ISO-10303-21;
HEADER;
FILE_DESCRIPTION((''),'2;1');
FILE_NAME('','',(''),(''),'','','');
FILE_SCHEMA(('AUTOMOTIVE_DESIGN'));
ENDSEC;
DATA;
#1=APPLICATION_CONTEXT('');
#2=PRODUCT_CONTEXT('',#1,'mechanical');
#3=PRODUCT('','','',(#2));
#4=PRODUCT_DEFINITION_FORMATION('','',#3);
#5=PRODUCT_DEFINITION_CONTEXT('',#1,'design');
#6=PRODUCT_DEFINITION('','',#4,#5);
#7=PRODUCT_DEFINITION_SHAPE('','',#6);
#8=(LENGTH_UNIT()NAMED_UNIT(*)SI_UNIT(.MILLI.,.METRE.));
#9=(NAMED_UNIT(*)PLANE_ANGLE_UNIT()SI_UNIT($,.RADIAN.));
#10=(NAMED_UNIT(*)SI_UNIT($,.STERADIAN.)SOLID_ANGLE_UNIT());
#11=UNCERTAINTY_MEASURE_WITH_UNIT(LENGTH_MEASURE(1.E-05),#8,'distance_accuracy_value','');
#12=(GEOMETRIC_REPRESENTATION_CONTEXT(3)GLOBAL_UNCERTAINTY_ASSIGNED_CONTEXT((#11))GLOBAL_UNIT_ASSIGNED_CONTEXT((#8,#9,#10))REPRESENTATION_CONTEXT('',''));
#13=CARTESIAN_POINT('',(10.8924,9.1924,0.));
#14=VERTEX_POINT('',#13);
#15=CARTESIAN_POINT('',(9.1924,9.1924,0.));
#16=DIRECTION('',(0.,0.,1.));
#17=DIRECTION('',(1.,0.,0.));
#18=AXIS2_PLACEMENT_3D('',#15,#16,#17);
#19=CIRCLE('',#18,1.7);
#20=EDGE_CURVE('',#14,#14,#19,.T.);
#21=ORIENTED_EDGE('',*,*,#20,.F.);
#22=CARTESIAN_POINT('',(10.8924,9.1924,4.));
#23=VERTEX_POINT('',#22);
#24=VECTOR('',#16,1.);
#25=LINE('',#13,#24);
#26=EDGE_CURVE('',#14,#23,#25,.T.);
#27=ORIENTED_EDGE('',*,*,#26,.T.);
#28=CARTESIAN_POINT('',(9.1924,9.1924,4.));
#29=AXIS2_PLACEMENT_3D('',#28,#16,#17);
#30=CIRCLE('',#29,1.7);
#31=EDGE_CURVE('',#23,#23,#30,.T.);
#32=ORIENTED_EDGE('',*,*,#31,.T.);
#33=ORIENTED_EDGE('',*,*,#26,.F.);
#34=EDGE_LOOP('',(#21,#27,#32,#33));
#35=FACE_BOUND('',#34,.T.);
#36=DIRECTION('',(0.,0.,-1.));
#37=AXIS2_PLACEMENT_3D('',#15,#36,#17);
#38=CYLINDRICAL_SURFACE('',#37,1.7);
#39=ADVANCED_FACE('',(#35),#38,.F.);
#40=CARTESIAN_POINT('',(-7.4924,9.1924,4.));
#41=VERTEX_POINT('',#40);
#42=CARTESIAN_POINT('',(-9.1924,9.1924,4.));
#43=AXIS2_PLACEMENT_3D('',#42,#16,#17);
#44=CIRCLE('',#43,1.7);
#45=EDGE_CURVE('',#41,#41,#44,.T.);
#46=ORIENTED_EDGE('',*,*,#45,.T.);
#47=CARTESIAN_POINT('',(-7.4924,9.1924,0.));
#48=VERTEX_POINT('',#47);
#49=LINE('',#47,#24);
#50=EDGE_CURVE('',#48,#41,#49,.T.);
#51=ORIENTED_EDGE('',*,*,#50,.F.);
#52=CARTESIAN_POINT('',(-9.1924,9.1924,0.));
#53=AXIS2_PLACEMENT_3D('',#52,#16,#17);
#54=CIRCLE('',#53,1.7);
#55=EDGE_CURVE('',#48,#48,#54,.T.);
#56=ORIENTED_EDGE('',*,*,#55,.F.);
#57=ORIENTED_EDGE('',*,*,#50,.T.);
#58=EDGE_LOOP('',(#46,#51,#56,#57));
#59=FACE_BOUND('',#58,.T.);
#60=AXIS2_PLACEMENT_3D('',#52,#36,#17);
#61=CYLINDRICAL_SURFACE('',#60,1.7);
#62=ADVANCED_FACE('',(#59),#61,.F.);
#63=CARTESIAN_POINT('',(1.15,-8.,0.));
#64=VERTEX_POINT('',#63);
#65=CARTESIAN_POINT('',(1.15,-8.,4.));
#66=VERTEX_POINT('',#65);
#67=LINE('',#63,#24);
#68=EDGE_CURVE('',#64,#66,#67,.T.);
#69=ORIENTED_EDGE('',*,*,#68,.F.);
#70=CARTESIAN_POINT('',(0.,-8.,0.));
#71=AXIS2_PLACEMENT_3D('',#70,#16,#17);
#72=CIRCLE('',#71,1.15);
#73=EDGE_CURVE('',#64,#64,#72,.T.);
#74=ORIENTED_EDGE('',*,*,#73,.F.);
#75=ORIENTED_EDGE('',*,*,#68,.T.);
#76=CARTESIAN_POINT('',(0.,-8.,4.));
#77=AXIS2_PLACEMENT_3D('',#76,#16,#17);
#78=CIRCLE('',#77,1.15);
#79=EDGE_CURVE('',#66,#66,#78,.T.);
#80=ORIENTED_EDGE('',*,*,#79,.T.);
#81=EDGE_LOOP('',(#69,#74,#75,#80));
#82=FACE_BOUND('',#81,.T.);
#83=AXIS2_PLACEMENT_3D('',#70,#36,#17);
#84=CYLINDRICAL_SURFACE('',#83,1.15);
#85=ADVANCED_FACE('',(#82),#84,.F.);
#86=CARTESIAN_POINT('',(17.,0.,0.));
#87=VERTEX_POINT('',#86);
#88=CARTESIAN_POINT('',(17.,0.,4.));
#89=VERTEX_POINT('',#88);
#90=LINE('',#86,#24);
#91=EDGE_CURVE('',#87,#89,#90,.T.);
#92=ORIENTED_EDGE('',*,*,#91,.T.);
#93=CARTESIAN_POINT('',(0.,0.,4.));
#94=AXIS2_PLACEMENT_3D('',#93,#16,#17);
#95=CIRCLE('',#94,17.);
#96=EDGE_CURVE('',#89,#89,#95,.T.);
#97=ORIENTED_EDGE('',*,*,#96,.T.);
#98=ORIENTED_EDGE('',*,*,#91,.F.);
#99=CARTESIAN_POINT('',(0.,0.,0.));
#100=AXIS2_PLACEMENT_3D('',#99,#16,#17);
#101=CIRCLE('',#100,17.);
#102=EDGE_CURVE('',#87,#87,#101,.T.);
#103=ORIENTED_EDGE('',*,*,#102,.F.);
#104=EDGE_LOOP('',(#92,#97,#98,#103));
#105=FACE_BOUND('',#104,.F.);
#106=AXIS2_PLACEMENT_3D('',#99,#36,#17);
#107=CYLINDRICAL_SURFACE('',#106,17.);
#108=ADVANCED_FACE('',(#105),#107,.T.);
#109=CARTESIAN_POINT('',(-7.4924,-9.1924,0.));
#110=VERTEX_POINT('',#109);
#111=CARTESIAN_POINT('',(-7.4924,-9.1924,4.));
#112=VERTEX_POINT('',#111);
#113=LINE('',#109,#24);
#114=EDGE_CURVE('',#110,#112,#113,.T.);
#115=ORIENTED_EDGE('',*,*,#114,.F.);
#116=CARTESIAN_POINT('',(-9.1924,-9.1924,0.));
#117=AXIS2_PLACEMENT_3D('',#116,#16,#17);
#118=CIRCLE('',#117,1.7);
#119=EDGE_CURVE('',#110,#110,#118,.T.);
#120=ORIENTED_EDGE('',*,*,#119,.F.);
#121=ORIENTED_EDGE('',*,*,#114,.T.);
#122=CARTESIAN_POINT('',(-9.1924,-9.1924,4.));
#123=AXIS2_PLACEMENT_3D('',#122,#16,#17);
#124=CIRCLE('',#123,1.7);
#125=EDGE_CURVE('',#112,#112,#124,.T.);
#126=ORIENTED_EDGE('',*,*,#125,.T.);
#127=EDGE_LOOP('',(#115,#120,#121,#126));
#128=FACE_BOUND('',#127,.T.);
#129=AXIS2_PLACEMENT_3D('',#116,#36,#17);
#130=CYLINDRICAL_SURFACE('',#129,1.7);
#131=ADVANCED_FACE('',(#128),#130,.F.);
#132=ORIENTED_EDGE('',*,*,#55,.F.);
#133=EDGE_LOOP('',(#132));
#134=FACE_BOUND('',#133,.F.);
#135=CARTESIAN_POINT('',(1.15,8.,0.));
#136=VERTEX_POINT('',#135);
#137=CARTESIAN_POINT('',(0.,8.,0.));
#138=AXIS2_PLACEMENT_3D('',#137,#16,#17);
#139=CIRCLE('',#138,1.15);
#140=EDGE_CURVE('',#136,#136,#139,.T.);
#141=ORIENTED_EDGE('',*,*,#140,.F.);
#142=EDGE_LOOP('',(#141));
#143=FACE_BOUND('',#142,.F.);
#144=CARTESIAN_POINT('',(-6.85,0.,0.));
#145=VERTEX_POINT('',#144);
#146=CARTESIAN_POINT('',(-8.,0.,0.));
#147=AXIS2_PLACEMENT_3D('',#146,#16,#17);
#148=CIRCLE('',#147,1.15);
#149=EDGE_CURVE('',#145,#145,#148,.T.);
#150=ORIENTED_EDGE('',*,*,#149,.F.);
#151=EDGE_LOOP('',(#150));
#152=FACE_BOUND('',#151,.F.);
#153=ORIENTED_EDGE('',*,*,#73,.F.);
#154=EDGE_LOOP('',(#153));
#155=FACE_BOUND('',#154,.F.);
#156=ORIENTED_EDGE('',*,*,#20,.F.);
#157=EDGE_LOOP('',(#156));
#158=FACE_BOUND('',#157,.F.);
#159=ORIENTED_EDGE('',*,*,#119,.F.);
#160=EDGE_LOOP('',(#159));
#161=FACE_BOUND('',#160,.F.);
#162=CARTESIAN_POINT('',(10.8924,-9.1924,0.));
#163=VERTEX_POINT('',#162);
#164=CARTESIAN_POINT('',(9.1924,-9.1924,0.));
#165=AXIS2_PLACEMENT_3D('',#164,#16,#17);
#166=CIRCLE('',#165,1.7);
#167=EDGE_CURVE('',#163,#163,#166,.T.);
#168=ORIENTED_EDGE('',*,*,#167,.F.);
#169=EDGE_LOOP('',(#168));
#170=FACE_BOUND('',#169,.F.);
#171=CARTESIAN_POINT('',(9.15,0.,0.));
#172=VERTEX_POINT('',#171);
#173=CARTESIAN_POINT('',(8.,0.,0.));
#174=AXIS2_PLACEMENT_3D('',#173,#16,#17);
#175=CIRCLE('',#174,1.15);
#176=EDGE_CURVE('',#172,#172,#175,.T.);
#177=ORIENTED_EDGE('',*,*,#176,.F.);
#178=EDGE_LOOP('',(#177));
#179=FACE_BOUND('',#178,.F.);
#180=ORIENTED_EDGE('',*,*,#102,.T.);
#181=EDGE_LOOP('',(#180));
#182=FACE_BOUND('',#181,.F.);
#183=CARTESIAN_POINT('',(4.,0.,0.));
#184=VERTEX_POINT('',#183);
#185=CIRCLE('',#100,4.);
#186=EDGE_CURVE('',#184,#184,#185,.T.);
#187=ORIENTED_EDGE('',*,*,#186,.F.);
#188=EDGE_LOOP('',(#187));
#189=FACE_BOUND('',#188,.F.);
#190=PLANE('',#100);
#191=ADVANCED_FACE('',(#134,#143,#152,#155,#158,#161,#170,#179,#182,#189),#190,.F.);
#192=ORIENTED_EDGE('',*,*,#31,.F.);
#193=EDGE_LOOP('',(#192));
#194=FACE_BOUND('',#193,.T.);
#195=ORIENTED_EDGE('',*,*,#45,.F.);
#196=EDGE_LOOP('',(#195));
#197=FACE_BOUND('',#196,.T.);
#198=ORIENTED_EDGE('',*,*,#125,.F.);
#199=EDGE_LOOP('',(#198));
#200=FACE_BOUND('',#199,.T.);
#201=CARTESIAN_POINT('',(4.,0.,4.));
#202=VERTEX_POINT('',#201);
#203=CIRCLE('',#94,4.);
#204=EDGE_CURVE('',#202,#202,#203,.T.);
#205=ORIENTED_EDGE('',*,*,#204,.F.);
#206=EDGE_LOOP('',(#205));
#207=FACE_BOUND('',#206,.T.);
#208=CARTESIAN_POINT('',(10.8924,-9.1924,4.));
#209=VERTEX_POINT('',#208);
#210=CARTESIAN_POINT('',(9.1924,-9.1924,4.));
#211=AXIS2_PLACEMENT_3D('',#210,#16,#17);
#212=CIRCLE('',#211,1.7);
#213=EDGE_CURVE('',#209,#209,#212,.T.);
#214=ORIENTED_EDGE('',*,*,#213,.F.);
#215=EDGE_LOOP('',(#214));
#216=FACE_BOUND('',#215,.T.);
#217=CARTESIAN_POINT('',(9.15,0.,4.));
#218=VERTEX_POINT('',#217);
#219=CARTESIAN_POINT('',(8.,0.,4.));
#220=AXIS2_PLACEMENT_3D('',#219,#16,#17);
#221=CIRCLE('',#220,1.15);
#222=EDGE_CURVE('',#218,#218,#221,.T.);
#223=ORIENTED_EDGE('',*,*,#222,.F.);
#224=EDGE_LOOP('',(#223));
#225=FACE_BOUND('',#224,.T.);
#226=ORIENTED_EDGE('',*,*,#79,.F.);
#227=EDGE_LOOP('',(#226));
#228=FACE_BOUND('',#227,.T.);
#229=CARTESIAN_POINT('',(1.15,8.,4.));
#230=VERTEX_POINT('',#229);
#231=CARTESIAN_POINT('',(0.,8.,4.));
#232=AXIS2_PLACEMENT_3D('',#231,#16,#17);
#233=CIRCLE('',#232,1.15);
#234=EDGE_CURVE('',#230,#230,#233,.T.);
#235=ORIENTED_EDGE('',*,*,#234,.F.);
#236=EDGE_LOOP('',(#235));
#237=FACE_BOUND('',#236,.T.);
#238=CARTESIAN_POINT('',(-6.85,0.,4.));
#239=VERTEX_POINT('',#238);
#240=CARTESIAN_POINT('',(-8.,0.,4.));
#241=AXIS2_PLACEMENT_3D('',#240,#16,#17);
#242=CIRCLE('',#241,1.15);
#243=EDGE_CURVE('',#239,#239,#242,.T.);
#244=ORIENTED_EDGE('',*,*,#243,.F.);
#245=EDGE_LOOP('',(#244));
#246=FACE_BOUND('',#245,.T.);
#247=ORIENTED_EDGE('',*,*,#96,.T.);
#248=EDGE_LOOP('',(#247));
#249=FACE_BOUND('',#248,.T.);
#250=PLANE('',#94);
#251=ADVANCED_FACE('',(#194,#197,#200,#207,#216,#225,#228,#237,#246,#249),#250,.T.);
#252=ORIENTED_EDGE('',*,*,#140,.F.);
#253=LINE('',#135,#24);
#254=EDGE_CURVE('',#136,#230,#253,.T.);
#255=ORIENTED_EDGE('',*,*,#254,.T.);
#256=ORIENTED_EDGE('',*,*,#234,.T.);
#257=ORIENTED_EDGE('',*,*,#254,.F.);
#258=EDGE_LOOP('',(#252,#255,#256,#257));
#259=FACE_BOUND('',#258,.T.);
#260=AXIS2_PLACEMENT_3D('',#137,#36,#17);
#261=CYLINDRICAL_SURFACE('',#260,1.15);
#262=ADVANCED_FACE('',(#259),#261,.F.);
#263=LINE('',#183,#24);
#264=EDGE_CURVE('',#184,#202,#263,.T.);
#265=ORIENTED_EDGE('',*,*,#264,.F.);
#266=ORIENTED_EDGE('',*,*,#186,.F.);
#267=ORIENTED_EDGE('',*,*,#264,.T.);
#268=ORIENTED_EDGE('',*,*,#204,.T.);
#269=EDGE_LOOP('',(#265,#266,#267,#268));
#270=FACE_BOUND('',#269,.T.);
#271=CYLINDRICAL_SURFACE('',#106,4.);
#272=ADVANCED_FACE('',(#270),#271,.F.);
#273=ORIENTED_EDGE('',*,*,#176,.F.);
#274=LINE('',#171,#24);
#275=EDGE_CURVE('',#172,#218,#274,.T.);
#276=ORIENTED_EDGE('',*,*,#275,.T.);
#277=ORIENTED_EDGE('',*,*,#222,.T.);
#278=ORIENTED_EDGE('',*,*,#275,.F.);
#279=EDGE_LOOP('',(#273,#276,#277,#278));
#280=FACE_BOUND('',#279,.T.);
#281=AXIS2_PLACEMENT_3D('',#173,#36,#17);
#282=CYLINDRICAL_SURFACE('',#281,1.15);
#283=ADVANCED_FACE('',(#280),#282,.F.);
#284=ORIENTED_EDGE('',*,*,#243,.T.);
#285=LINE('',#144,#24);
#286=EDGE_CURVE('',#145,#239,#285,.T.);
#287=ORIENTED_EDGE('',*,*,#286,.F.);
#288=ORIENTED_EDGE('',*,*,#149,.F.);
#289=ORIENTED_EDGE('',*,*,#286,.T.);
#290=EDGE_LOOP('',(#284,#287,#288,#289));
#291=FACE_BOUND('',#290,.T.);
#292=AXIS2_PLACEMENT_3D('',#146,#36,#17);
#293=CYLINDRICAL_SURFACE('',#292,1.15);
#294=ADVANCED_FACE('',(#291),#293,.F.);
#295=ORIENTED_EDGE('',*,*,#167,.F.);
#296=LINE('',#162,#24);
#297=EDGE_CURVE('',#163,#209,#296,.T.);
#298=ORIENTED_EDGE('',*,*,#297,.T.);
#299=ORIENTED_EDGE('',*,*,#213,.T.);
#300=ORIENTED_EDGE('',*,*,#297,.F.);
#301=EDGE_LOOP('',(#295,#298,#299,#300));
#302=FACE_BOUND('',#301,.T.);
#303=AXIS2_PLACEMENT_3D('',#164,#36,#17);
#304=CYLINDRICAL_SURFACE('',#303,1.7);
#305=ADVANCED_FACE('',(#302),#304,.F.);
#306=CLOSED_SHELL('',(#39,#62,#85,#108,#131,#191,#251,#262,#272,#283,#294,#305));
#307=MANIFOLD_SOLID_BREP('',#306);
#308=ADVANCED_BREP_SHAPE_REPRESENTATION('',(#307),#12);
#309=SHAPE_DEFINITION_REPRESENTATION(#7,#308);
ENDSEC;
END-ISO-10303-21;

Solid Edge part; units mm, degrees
sketch "Sketch1" plane through (0, 0, 0) normal (0, 0, 1) x (1, 0, 0)
  circle A0 centre (0, 0) radius 17
  circle A1 centre (0, 0) radius 4
  circle A2 centre (8, 0) radius 1.15
  circle A3 centre (0, 8) radius 1.15
  circle A4 centre (-8, 0) radius 1.15
  circle A5 centre (0, -8) radius 1.15
  circle A6 centre (9.1924, 9.1924) radius 1.7
  circle A7 centre (-9.1924, 9.1924) radius 1.7
  circle A8 centre (-9.1924, -9.1924) radius 1.7
  circle A9 centre (9.1924, -9.1924) radius 1.7
extrude "Protrusion1" add sketch "Sketch1" along normal blind 4
